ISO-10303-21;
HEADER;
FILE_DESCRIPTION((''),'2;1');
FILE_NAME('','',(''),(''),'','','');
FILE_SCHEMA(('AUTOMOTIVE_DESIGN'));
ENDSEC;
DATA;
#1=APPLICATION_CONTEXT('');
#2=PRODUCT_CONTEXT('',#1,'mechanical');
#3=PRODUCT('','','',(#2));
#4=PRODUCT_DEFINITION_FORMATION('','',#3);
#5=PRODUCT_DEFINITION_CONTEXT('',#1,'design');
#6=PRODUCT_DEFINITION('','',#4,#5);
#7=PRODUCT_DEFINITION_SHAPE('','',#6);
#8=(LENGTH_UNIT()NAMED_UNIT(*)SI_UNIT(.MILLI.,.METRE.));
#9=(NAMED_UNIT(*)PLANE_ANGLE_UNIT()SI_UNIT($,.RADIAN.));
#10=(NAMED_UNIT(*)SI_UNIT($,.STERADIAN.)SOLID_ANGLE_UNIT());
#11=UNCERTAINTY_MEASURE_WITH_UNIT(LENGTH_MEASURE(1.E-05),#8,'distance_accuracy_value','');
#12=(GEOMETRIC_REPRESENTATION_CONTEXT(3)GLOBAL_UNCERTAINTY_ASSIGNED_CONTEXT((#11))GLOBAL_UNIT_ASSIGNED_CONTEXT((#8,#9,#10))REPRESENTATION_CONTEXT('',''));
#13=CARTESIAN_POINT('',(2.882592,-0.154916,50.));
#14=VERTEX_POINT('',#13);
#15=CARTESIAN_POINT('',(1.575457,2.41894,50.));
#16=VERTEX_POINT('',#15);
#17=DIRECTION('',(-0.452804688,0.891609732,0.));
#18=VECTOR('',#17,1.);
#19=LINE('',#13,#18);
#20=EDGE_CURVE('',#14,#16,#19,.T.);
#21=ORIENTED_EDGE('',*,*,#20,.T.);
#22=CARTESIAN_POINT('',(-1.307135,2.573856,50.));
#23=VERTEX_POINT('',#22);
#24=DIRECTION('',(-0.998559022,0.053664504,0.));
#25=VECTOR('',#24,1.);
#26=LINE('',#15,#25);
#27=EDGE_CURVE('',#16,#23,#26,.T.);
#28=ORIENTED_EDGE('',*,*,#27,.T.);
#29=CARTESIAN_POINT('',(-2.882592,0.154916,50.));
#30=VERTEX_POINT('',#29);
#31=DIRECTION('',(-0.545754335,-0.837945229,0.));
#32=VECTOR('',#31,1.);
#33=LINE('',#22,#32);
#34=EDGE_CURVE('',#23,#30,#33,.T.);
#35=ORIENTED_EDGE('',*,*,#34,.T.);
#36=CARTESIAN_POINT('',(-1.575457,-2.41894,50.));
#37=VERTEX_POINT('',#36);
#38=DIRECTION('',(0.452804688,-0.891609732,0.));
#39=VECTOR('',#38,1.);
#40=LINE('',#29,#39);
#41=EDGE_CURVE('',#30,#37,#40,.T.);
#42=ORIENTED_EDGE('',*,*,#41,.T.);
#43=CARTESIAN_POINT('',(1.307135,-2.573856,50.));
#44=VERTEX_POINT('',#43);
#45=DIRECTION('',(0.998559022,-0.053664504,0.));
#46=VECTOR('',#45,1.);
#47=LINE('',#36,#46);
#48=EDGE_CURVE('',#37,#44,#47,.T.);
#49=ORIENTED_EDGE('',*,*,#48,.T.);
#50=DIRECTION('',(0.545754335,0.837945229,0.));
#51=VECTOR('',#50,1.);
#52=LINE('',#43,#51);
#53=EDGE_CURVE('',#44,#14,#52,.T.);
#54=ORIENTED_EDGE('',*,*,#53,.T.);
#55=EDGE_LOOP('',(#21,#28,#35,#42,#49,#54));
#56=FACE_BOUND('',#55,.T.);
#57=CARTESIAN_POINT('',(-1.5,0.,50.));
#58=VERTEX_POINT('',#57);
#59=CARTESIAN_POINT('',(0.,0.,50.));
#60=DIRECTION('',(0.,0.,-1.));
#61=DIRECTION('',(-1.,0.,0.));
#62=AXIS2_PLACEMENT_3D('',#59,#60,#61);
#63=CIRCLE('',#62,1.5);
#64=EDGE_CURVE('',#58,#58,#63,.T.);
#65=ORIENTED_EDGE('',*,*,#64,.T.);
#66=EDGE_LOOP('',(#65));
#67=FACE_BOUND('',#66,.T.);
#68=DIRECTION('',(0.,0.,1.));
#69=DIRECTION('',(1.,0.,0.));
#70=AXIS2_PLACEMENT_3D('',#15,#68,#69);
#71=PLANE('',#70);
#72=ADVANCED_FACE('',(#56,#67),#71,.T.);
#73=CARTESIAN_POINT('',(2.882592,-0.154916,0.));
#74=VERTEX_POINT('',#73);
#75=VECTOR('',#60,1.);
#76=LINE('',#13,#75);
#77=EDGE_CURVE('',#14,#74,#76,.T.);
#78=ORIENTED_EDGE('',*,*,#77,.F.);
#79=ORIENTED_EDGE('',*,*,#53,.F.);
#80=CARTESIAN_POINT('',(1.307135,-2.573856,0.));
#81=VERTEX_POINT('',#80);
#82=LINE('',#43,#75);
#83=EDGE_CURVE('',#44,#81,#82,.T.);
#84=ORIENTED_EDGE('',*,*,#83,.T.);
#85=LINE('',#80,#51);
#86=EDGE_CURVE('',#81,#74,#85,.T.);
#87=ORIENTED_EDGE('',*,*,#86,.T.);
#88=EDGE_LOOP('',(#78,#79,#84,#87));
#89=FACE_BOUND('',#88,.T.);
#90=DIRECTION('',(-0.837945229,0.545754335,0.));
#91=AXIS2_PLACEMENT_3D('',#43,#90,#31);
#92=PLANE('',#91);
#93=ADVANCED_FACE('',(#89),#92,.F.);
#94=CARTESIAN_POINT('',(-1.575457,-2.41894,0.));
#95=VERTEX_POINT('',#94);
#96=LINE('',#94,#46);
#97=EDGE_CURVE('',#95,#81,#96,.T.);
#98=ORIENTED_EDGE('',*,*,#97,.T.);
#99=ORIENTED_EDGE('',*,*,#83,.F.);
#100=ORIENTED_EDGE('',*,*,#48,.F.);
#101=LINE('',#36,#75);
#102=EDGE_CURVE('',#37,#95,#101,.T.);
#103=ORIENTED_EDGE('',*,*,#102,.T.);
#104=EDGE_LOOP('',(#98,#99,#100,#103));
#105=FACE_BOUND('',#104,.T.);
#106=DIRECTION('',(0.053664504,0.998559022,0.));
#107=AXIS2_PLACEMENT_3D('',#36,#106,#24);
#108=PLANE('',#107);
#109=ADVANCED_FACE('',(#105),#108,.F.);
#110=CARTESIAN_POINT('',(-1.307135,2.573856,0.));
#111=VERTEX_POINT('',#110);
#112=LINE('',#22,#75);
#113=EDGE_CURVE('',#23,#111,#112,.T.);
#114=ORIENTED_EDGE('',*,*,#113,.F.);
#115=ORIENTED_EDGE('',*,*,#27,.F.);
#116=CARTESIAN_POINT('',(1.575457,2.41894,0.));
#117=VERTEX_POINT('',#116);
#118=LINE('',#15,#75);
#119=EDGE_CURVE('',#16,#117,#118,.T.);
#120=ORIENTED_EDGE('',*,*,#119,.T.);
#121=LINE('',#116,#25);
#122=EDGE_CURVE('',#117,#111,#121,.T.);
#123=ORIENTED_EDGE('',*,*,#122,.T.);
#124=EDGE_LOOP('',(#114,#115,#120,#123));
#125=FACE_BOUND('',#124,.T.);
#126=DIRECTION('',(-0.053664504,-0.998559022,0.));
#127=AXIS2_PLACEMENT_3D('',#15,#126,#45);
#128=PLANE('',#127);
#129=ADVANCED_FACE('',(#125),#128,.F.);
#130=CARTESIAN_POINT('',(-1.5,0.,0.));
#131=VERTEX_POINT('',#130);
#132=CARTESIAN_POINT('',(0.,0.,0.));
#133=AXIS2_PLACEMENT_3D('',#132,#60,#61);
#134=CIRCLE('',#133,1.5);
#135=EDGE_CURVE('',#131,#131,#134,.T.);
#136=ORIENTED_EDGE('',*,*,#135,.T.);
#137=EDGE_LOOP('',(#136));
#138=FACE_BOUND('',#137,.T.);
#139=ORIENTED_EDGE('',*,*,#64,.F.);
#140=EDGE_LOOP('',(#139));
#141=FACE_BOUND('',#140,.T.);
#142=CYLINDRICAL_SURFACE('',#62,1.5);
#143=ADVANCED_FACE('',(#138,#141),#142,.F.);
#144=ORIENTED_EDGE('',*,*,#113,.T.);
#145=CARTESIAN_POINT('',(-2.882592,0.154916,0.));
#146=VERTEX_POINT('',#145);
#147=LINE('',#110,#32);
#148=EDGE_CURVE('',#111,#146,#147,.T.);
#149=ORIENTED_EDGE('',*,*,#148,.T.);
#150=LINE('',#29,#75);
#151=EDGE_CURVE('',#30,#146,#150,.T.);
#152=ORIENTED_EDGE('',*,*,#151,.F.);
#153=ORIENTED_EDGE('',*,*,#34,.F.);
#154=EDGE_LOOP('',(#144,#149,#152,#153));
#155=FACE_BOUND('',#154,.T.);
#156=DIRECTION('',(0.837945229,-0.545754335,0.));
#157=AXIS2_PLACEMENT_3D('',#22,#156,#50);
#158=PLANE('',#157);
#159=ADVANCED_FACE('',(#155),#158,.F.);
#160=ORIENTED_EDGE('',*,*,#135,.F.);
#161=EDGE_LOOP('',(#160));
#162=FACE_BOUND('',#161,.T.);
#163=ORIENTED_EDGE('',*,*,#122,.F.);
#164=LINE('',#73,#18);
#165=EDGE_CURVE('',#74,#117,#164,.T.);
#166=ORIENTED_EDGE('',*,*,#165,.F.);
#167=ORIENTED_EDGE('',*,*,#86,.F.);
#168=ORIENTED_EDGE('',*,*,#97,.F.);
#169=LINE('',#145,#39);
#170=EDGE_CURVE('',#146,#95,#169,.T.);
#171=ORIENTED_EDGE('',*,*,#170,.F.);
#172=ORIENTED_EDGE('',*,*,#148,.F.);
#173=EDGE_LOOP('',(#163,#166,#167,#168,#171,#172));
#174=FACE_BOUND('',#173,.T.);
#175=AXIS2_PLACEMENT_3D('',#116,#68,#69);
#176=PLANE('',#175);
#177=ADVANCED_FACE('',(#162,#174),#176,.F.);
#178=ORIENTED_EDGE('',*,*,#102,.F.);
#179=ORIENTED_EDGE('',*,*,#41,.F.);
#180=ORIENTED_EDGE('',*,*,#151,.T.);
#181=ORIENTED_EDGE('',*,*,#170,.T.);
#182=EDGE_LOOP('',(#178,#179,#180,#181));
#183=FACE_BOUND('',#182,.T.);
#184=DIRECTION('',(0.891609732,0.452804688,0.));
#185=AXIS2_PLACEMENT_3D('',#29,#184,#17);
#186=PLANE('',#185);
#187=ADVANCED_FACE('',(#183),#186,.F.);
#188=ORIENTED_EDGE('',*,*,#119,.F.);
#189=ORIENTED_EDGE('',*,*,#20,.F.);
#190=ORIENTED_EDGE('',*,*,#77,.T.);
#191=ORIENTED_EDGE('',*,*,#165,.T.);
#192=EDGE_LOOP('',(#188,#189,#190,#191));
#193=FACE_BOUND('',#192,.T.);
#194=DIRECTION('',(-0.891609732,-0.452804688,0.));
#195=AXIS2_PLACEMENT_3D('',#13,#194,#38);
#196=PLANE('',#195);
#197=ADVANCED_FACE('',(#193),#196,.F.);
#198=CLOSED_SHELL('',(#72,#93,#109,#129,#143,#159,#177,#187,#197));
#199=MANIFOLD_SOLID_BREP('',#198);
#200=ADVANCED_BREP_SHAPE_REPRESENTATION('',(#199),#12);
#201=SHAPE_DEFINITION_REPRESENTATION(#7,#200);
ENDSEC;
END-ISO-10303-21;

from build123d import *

# Parameters (mm, degrees)
BOSS_EXTRUDE1_DEPTH = 50
SKETCH2_R           = 1.5
CUT_EXTRUDE1_DEPTH  = 51


with BuildPart() as part:
    # Sketch1 → Boss-Extrude1 (new body)
    with BuildSketch(Plane.XY):
        Polygon((1.57545706, 2.418939517), (-1.307134542, 2.573855595), (-2.882591602, 0.154916078), (-1.57545706, -2.418939517), (1.307134542, -2.573855595), (2.882591602, -0.154916078), align=None)
    extrude(amount=BOSS_EXTRUDE1_DEPTH)

    # Sketch2 → Cut-Extrude1 (cut, through all)
    with BuildSketch(Plane(origin=(0, 0, 0), x_dir=(-1, 0, 0), z_dir=(0, 0, -1))):
        Circle(SKETCH2_R)
    extrude(amount=-CUT_EXTRUDE1_DEPTH, mode=Mode.SUBTRACT)


solid = part.part
